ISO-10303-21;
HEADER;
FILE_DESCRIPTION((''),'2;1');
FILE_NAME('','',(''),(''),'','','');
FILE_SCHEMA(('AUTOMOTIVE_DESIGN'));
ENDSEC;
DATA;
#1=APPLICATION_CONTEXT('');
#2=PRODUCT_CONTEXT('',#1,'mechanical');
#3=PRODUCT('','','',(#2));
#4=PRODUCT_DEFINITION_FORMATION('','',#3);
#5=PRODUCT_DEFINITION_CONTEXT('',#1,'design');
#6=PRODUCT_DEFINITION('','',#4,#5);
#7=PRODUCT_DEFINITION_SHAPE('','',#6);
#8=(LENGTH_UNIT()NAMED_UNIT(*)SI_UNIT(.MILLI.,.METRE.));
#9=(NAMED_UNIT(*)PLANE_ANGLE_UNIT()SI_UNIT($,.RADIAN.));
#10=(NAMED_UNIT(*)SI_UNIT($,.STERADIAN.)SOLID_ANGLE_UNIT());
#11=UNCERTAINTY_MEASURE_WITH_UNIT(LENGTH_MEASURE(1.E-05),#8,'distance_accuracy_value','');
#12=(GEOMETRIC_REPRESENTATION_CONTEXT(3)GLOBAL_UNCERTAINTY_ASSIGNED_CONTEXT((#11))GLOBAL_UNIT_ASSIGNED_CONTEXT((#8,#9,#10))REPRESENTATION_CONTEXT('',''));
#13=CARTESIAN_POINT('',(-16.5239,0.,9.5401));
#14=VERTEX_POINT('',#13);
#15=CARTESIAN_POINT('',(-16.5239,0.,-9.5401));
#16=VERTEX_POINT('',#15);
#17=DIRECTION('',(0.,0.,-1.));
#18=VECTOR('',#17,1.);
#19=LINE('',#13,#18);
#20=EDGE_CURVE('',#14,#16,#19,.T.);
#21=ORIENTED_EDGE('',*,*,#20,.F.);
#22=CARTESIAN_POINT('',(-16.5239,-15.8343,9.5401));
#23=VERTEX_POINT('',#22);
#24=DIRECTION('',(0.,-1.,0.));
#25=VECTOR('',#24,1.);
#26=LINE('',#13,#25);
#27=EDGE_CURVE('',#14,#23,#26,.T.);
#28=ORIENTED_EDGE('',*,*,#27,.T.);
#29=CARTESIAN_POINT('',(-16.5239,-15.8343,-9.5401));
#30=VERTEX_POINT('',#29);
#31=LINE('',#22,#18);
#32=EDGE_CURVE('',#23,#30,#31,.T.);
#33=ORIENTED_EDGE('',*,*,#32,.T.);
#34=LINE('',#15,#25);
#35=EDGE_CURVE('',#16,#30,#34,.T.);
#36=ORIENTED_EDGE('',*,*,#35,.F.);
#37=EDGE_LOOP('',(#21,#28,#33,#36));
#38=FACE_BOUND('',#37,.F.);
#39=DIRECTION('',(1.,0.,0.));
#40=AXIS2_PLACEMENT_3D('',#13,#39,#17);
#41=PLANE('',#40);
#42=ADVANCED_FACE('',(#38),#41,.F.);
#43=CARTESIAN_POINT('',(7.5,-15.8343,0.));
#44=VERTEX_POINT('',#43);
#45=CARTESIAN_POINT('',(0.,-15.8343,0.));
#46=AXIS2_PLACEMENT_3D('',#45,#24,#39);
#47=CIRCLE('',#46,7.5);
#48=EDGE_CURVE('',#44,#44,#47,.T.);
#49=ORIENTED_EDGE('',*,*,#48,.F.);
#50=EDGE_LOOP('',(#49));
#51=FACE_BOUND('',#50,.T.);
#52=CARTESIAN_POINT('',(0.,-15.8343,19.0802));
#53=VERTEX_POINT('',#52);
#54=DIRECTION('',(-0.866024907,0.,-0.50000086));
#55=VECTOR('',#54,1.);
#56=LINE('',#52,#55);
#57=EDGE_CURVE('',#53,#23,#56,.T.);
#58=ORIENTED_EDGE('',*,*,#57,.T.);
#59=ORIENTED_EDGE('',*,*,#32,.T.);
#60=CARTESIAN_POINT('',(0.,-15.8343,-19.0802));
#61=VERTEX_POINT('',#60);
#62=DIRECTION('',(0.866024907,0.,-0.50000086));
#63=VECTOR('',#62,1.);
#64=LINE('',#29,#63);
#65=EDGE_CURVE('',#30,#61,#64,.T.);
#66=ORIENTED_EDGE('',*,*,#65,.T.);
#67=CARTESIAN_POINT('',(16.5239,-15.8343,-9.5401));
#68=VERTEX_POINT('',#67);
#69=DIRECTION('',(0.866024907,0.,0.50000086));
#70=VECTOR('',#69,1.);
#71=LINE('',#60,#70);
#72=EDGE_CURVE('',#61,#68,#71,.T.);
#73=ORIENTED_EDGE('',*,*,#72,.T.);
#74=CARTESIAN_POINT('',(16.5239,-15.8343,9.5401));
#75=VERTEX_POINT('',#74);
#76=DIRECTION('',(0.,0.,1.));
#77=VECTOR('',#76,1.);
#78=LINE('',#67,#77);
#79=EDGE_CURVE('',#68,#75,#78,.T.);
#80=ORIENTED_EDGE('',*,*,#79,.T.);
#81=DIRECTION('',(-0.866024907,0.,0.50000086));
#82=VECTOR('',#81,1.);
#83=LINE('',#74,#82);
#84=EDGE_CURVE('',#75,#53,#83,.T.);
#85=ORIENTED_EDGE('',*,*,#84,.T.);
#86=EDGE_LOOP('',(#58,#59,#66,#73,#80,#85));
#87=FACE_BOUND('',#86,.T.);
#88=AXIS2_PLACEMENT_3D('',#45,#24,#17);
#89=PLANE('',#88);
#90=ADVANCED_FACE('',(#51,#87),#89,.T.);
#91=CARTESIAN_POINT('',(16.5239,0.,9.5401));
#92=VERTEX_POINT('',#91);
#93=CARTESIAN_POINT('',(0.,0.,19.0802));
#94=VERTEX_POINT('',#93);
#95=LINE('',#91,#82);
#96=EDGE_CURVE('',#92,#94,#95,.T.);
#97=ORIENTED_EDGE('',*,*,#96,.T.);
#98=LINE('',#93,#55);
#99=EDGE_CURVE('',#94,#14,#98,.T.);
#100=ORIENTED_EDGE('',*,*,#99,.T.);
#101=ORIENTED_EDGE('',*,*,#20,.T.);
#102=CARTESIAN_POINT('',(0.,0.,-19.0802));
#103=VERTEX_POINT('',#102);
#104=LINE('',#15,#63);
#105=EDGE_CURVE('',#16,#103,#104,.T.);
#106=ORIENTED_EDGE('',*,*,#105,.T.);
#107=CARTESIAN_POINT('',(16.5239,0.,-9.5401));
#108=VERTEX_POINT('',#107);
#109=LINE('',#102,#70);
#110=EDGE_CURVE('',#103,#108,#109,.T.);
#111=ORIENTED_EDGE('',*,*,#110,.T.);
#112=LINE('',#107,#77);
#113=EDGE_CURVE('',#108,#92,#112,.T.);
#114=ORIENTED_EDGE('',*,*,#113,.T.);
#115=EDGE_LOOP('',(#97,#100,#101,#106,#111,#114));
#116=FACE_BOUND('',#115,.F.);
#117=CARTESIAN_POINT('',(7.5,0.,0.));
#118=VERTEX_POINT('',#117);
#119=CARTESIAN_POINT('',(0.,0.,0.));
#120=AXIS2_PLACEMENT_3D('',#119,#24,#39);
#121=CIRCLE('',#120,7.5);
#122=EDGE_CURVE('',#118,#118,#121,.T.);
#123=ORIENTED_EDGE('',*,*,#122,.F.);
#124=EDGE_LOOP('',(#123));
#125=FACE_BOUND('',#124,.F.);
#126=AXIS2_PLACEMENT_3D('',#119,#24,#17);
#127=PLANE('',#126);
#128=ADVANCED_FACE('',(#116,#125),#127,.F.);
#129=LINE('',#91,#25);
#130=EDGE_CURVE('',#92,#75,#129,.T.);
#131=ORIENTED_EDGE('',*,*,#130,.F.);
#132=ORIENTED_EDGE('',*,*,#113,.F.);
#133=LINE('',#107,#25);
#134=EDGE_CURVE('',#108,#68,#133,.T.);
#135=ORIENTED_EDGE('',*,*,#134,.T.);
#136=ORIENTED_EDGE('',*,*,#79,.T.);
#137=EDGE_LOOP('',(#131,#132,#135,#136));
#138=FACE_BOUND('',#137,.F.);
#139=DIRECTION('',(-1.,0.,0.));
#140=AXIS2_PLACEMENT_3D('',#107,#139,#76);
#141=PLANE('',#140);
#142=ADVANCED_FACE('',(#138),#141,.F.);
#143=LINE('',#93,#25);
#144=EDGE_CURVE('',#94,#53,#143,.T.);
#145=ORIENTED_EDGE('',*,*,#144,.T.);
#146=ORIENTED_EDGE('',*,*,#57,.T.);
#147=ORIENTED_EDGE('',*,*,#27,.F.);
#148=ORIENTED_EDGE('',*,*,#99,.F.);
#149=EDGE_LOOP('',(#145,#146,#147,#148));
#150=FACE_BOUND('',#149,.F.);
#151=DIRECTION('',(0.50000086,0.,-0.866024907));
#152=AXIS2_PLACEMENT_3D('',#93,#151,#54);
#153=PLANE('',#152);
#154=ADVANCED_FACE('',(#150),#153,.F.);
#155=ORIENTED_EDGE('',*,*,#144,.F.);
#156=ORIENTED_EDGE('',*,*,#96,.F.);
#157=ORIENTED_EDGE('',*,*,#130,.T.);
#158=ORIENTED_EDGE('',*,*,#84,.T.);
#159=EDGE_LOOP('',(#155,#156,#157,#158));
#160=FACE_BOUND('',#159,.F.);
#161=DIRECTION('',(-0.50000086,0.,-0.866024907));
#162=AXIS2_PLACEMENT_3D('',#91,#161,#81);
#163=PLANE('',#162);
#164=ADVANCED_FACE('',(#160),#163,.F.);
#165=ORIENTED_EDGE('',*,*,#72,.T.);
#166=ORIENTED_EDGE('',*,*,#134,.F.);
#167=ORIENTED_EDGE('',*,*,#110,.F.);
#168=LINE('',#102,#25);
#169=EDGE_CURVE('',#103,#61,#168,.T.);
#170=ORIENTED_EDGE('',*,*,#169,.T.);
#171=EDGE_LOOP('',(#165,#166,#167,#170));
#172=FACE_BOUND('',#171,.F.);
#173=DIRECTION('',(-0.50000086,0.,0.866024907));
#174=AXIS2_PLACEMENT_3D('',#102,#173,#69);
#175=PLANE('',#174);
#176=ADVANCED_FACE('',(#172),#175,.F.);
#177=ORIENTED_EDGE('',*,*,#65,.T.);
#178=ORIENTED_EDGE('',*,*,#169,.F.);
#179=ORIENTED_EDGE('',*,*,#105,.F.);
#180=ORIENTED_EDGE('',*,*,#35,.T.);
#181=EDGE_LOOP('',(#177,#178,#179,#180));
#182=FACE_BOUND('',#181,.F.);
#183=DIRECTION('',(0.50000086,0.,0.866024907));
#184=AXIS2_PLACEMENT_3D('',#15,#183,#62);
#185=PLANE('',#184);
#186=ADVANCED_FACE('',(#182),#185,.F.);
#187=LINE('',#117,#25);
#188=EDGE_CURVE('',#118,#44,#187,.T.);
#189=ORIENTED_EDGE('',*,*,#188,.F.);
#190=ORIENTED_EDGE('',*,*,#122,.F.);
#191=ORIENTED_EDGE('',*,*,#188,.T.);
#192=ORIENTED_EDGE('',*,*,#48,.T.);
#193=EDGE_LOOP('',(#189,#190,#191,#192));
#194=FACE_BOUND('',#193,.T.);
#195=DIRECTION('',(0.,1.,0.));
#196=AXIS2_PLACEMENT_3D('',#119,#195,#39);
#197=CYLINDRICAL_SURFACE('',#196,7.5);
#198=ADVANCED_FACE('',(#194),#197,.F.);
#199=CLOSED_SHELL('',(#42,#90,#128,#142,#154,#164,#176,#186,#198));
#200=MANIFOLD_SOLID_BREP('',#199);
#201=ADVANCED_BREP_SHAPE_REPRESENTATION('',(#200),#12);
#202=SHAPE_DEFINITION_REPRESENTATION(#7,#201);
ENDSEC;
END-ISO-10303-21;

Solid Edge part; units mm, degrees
sketch "Sketch1" plane through (0, 0, 0) normal (0, -1, 0) x (1, 0, 0)
  circle A0 centre (0, 0) radius 7.5
  line L0 (16.5239, 9.5401) -> (0, 19.0802)
  line L1 (0, 19.0802) -> (-16.5239, 9.5401)
  line L2 (-16.5239, 9.5401) -> (-16.5239, -9.5401)
  line L3 (-16.5239, -9.5401) -> (0, -19.0802)
  line L4 (0, -19.0802) -> (16.5239, -9.5401)
  line L5 (16.5239, -9.5401) -> (16.5239, 9.5401)
extrude "Protrusion1" add sketch "Sketch1" along normal blind 15.8343
